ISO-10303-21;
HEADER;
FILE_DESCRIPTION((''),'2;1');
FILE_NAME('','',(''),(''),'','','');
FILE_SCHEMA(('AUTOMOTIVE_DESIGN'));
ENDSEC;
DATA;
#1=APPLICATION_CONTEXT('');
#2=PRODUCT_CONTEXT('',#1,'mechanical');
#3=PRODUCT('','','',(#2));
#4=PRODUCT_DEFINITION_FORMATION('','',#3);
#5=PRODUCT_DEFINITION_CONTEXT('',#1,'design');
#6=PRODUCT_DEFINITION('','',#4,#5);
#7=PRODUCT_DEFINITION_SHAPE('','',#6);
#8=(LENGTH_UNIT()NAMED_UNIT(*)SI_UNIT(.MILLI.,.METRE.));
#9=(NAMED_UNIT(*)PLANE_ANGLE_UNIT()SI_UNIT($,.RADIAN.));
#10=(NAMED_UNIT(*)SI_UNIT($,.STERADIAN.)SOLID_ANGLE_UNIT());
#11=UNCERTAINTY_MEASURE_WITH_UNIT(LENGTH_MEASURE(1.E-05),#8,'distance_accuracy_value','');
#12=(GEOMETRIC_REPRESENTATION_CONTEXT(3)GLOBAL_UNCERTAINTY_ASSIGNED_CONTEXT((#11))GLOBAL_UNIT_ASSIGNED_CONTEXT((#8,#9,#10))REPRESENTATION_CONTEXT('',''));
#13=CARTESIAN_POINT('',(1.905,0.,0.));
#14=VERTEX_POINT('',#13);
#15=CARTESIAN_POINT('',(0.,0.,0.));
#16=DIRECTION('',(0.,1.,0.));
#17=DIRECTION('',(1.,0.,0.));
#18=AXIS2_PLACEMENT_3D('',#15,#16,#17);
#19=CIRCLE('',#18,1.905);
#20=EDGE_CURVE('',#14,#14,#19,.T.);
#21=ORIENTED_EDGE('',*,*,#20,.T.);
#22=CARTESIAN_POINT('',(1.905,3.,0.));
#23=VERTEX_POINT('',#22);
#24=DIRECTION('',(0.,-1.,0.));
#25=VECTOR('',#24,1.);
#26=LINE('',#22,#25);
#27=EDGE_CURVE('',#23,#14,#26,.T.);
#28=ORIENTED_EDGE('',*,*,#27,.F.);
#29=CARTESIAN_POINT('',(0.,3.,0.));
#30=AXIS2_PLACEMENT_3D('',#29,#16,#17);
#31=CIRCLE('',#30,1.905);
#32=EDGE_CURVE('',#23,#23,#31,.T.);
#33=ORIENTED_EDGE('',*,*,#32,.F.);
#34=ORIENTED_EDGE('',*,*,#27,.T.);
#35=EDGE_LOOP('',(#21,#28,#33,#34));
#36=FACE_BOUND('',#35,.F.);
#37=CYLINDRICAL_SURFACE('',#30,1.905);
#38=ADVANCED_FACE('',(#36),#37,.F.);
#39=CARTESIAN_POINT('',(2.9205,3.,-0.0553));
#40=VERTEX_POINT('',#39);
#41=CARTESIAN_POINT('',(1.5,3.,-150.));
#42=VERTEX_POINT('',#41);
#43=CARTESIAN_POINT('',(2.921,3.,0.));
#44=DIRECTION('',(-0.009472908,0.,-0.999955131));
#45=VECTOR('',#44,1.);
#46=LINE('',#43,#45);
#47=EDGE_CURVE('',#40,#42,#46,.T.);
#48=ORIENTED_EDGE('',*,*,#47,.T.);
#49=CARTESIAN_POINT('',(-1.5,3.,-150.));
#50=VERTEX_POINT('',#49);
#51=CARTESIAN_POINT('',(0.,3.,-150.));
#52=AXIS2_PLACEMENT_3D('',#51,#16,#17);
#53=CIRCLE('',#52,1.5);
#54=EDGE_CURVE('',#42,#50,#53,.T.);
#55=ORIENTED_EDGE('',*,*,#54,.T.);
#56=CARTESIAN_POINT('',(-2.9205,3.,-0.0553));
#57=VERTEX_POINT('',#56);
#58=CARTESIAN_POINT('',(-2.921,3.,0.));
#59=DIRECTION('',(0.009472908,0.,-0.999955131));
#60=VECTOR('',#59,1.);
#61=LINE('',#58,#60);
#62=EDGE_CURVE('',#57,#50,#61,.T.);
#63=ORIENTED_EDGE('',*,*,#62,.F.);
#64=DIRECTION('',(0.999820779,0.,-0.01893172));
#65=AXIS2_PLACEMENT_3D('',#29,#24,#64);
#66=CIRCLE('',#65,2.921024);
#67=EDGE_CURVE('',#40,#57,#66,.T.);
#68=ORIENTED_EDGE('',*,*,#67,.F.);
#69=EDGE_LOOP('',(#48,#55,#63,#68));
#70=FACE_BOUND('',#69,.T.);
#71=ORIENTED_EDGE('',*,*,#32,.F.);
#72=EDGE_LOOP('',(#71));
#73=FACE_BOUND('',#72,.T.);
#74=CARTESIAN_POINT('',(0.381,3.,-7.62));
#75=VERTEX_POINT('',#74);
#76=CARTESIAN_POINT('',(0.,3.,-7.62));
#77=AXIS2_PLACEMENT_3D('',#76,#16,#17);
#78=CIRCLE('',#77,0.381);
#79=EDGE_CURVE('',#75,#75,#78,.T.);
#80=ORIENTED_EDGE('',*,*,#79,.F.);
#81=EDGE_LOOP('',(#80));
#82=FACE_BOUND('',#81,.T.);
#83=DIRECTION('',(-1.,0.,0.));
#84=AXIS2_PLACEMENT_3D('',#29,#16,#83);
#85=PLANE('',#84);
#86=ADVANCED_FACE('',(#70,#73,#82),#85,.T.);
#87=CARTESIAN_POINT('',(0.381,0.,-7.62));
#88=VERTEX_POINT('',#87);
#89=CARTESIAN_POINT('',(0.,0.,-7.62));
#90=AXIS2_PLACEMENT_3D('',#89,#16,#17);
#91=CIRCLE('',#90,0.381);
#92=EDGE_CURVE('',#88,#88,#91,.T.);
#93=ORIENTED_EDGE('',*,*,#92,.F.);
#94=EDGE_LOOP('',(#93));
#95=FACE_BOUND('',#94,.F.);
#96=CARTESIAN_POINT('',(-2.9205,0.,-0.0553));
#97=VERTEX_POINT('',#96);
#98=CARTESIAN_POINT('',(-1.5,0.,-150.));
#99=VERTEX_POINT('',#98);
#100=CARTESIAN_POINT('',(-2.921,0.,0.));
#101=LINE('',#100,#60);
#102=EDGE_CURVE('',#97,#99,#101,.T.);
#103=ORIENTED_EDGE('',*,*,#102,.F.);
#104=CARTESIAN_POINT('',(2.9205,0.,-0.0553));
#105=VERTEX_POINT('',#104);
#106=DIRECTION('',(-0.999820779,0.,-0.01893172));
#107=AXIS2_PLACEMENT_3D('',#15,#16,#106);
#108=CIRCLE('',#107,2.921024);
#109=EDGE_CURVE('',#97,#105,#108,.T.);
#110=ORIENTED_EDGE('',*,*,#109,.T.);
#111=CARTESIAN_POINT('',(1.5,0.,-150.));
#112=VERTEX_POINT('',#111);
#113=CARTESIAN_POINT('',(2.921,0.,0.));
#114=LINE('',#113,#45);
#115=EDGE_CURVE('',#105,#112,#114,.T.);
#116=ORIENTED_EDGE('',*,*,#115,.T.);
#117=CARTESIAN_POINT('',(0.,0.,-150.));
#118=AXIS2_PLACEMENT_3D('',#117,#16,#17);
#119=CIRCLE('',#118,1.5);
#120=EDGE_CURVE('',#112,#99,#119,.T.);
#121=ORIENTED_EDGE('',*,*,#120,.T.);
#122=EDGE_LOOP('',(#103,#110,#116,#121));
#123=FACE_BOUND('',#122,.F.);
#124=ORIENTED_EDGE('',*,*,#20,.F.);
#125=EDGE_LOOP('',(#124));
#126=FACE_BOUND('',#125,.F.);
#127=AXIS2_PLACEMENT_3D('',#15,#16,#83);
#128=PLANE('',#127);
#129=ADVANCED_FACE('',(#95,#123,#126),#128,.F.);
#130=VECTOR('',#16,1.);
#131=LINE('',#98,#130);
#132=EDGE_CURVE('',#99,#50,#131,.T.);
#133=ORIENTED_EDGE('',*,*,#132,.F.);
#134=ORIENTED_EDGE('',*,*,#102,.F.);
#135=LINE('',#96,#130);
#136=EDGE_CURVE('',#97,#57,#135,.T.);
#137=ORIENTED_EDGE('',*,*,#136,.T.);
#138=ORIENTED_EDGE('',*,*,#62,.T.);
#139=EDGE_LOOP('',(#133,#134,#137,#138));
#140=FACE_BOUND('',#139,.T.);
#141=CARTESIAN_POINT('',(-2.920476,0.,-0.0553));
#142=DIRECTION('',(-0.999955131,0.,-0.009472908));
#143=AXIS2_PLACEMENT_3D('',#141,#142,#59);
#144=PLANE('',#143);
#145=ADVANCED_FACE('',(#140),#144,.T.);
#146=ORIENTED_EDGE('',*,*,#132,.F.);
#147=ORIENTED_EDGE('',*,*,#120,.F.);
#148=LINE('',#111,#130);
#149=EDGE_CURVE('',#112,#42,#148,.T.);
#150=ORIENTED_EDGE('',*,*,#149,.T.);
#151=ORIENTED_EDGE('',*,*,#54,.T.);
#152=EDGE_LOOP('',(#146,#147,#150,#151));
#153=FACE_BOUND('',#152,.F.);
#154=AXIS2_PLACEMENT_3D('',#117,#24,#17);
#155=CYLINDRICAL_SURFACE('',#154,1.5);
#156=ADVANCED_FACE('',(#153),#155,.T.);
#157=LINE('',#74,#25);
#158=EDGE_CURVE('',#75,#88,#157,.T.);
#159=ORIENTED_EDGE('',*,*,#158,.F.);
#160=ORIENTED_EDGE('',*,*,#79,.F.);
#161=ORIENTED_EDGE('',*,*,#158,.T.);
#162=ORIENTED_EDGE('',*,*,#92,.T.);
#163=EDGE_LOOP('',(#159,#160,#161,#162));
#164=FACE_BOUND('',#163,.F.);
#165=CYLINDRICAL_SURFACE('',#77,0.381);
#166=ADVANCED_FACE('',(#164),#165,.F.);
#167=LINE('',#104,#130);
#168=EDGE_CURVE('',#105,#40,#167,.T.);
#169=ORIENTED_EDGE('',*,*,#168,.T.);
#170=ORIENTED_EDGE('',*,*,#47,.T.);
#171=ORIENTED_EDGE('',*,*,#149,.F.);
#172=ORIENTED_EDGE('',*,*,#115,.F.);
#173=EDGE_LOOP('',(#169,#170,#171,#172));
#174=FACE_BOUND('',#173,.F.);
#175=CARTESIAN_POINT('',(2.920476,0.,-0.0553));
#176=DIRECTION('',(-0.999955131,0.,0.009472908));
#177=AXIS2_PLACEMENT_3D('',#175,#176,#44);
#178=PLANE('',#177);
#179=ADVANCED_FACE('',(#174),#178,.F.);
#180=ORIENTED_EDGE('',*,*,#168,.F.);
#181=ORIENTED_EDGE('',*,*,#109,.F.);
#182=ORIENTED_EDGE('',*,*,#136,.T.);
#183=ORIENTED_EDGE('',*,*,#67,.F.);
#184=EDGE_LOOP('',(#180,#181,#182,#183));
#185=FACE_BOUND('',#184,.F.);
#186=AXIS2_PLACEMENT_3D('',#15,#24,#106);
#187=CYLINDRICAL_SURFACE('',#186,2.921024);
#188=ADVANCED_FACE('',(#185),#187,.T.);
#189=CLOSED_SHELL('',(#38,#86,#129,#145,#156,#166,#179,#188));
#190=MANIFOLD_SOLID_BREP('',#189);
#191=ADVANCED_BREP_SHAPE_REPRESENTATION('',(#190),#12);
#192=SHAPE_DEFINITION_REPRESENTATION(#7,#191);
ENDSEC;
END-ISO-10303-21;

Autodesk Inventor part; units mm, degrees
ref_plane "YZ Plane" through (0, 0, 0) normal (1, 0, 0) x (0, 1, 0)
ref_plane "XZ Plane" through (0, 0, 0) normal (0, 1, 0) x (-1, 0, 0)
ref_plane "XY Plane" through (0, 0, 0) normal (0, 0, 1) x (1, 0, 0)
sketch "Sketch1" plane through (0, 0, 0) normal (0, 1, 0) x (-1, 0, 0)
  arc A0 (2.9205, -0.0553) -> (-2.9205, -0.0553) centre (0, 0) ccw
  arc A1 (-1.5, -150) -> (1.5, -150) centre (0, -150) ccw
  line L0 (2.921, 0) -> (1.5, -150)
  line L1 (-2.921, 0) -> (-1.5, -150)
  dimension "d1" = 5.842
  dimension "d3" = 3
extrude "Extrusion1" add sketch "Sketch1" along normal blind 3
sketch "Sketch2" plane through (0, 3, 0) normal (0, 1, 0) x (1, 0, 0)
  circle A0 centre (0, 0) radius 1.905
  dimension "d6" = 3.81
extrude "Extrusion2" cut sketch "Sketch2" against normal blind 3
sketch "Sketch3" plane through (0, 3, 0) normal (0, 1, 0) x (1, 0, 0)
  circle A0 centre (0, 7.62) radius 0.381
  point P0 (0, 0)
  dimension "d10" = 0.762
extrude "Extrusion3" cut sketch "Sketch3" against normal blind 3
properties part number "arm" material "Wood (Cherry)"
